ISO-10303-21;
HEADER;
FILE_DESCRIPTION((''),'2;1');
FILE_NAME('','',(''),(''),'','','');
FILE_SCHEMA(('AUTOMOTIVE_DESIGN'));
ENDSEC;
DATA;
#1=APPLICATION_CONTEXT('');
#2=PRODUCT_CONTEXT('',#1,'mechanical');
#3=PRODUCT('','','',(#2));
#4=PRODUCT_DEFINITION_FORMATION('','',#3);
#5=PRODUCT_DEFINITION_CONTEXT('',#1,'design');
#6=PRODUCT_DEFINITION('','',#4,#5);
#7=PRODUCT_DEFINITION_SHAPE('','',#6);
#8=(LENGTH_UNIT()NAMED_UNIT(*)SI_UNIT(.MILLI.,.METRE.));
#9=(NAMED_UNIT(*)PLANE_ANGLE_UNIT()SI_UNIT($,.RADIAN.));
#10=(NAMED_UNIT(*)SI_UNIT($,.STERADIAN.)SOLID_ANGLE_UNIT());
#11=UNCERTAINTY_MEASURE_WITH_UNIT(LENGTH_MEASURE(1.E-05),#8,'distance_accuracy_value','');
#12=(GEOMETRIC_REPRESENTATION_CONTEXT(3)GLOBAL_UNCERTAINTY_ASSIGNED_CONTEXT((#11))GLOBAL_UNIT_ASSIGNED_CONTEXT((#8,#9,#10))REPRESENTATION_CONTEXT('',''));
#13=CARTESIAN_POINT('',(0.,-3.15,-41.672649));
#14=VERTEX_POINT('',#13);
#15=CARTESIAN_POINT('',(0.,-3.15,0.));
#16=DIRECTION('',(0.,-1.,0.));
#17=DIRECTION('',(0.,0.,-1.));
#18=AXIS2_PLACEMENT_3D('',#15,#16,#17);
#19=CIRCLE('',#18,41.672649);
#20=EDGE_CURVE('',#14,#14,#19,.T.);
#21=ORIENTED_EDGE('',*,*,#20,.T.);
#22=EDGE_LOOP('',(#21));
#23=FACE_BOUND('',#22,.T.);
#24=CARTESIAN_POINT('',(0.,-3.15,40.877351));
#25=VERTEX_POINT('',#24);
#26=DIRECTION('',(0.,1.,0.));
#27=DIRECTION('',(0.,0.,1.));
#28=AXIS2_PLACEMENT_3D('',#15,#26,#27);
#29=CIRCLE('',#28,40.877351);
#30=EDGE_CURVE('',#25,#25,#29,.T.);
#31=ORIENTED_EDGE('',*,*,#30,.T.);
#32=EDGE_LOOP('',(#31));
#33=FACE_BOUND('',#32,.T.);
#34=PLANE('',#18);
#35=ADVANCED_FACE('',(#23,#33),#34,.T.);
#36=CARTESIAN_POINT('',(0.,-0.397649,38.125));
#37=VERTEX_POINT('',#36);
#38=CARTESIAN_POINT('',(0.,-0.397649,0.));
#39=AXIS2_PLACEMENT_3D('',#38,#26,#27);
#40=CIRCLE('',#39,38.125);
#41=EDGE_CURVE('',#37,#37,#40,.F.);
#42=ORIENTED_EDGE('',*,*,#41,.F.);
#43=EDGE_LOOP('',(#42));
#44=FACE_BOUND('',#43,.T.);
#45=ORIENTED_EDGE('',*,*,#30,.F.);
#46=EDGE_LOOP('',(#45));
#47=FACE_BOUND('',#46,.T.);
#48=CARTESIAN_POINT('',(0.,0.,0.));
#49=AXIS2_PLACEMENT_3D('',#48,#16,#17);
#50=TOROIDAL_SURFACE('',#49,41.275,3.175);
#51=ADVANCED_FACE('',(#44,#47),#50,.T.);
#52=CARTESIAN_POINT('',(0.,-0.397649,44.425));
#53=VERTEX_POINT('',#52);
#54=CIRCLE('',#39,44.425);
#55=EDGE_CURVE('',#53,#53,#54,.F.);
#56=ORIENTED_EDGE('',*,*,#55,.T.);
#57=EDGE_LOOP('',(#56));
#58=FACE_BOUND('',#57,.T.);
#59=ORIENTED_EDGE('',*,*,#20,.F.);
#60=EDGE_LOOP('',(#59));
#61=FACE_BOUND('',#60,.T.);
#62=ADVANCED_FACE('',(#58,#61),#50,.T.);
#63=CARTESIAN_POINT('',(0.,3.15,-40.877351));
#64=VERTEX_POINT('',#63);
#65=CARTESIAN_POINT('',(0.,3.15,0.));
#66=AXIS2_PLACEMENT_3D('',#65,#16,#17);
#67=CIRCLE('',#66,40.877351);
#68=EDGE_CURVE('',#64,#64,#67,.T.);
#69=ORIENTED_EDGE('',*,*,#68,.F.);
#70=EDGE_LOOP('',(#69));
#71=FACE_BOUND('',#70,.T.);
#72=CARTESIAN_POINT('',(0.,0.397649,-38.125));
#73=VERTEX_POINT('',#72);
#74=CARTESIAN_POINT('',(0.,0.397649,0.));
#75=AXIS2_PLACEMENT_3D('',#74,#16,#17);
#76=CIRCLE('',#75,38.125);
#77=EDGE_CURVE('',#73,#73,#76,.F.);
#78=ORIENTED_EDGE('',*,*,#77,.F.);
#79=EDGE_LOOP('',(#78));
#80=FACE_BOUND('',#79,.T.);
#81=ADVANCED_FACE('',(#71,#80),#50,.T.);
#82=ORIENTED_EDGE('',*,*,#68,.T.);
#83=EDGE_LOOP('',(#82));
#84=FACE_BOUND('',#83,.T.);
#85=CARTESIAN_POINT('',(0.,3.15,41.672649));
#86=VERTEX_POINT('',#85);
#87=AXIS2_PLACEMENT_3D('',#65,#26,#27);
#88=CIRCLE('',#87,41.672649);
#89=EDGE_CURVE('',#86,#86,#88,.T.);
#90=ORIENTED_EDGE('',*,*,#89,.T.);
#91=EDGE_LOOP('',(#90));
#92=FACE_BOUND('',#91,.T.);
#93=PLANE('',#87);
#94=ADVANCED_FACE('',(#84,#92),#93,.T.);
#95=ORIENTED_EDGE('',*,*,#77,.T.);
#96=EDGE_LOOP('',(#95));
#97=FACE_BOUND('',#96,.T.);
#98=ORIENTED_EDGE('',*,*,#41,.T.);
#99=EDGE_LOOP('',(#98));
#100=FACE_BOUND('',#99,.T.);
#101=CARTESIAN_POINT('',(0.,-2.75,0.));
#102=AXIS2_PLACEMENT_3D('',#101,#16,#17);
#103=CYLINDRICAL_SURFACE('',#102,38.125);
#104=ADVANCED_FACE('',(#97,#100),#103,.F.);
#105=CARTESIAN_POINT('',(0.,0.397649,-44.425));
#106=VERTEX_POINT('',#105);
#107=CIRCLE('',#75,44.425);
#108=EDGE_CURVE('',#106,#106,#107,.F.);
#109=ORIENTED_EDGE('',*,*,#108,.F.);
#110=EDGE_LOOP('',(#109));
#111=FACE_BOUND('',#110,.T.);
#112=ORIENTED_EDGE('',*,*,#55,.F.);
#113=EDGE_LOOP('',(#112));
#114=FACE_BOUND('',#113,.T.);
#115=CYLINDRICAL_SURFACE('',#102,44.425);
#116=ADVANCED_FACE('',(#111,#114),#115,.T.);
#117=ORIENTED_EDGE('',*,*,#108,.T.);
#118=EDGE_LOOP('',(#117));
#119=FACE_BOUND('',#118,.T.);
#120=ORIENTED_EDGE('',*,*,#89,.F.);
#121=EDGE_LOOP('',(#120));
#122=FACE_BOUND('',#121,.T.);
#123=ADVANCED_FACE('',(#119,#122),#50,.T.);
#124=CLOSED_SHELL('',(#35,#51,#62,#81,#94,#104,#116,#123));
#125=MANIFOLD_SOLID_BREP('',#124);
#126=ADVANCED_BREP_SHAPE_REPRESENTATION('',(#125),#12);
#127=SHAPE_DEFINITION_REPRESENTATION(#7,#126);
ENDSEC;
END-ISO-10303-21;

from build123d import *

# Parameters (mm, degrees)
SKETCH3_R   = 3.175
SKETCH6_W   = 6.3
SKETCH6_H   = 5
SKETCH6_W_2 = 5
SKETCH6_H_2 = 6.3
SKETCH6_W_3 = 38.125


with BuildPart() as part:
    # Sketch3 → Revolve1 (revolve)
    with BuildSketch(Plane.XY):
        with Locations((-41.275, 0)):
            Circle(SKETCH3_R)
    revolve(axis=Axis((0, -2.75, 0), (0, 1, 0)))

    # Sketch6 → Cut-Revolve1 (revolve, cut)
    with BuildSketch(Plane.XY):
        with Locations((-41.275, -5.65)):
            Rectangle(SKETCH6_W, SKETCH6_H)
        with Locations((-46.925, 0)):
            Rectangle(SKETCH6_W_2, SKETCH6_H_2)
        with Locations((-41.275, 5.65)):
            Rectangle(SKETCH6_W, SKETCH6_H)
        with Locations((-19.0625, 0)):
            Rectangle(SKETCH6_W_3, SKETCH6_H_2)
    revolve(axis=Axis((0, -2.75, 0), (0, 1, 0)), mode=Mode.SUBTRACT)


solid = part.part
